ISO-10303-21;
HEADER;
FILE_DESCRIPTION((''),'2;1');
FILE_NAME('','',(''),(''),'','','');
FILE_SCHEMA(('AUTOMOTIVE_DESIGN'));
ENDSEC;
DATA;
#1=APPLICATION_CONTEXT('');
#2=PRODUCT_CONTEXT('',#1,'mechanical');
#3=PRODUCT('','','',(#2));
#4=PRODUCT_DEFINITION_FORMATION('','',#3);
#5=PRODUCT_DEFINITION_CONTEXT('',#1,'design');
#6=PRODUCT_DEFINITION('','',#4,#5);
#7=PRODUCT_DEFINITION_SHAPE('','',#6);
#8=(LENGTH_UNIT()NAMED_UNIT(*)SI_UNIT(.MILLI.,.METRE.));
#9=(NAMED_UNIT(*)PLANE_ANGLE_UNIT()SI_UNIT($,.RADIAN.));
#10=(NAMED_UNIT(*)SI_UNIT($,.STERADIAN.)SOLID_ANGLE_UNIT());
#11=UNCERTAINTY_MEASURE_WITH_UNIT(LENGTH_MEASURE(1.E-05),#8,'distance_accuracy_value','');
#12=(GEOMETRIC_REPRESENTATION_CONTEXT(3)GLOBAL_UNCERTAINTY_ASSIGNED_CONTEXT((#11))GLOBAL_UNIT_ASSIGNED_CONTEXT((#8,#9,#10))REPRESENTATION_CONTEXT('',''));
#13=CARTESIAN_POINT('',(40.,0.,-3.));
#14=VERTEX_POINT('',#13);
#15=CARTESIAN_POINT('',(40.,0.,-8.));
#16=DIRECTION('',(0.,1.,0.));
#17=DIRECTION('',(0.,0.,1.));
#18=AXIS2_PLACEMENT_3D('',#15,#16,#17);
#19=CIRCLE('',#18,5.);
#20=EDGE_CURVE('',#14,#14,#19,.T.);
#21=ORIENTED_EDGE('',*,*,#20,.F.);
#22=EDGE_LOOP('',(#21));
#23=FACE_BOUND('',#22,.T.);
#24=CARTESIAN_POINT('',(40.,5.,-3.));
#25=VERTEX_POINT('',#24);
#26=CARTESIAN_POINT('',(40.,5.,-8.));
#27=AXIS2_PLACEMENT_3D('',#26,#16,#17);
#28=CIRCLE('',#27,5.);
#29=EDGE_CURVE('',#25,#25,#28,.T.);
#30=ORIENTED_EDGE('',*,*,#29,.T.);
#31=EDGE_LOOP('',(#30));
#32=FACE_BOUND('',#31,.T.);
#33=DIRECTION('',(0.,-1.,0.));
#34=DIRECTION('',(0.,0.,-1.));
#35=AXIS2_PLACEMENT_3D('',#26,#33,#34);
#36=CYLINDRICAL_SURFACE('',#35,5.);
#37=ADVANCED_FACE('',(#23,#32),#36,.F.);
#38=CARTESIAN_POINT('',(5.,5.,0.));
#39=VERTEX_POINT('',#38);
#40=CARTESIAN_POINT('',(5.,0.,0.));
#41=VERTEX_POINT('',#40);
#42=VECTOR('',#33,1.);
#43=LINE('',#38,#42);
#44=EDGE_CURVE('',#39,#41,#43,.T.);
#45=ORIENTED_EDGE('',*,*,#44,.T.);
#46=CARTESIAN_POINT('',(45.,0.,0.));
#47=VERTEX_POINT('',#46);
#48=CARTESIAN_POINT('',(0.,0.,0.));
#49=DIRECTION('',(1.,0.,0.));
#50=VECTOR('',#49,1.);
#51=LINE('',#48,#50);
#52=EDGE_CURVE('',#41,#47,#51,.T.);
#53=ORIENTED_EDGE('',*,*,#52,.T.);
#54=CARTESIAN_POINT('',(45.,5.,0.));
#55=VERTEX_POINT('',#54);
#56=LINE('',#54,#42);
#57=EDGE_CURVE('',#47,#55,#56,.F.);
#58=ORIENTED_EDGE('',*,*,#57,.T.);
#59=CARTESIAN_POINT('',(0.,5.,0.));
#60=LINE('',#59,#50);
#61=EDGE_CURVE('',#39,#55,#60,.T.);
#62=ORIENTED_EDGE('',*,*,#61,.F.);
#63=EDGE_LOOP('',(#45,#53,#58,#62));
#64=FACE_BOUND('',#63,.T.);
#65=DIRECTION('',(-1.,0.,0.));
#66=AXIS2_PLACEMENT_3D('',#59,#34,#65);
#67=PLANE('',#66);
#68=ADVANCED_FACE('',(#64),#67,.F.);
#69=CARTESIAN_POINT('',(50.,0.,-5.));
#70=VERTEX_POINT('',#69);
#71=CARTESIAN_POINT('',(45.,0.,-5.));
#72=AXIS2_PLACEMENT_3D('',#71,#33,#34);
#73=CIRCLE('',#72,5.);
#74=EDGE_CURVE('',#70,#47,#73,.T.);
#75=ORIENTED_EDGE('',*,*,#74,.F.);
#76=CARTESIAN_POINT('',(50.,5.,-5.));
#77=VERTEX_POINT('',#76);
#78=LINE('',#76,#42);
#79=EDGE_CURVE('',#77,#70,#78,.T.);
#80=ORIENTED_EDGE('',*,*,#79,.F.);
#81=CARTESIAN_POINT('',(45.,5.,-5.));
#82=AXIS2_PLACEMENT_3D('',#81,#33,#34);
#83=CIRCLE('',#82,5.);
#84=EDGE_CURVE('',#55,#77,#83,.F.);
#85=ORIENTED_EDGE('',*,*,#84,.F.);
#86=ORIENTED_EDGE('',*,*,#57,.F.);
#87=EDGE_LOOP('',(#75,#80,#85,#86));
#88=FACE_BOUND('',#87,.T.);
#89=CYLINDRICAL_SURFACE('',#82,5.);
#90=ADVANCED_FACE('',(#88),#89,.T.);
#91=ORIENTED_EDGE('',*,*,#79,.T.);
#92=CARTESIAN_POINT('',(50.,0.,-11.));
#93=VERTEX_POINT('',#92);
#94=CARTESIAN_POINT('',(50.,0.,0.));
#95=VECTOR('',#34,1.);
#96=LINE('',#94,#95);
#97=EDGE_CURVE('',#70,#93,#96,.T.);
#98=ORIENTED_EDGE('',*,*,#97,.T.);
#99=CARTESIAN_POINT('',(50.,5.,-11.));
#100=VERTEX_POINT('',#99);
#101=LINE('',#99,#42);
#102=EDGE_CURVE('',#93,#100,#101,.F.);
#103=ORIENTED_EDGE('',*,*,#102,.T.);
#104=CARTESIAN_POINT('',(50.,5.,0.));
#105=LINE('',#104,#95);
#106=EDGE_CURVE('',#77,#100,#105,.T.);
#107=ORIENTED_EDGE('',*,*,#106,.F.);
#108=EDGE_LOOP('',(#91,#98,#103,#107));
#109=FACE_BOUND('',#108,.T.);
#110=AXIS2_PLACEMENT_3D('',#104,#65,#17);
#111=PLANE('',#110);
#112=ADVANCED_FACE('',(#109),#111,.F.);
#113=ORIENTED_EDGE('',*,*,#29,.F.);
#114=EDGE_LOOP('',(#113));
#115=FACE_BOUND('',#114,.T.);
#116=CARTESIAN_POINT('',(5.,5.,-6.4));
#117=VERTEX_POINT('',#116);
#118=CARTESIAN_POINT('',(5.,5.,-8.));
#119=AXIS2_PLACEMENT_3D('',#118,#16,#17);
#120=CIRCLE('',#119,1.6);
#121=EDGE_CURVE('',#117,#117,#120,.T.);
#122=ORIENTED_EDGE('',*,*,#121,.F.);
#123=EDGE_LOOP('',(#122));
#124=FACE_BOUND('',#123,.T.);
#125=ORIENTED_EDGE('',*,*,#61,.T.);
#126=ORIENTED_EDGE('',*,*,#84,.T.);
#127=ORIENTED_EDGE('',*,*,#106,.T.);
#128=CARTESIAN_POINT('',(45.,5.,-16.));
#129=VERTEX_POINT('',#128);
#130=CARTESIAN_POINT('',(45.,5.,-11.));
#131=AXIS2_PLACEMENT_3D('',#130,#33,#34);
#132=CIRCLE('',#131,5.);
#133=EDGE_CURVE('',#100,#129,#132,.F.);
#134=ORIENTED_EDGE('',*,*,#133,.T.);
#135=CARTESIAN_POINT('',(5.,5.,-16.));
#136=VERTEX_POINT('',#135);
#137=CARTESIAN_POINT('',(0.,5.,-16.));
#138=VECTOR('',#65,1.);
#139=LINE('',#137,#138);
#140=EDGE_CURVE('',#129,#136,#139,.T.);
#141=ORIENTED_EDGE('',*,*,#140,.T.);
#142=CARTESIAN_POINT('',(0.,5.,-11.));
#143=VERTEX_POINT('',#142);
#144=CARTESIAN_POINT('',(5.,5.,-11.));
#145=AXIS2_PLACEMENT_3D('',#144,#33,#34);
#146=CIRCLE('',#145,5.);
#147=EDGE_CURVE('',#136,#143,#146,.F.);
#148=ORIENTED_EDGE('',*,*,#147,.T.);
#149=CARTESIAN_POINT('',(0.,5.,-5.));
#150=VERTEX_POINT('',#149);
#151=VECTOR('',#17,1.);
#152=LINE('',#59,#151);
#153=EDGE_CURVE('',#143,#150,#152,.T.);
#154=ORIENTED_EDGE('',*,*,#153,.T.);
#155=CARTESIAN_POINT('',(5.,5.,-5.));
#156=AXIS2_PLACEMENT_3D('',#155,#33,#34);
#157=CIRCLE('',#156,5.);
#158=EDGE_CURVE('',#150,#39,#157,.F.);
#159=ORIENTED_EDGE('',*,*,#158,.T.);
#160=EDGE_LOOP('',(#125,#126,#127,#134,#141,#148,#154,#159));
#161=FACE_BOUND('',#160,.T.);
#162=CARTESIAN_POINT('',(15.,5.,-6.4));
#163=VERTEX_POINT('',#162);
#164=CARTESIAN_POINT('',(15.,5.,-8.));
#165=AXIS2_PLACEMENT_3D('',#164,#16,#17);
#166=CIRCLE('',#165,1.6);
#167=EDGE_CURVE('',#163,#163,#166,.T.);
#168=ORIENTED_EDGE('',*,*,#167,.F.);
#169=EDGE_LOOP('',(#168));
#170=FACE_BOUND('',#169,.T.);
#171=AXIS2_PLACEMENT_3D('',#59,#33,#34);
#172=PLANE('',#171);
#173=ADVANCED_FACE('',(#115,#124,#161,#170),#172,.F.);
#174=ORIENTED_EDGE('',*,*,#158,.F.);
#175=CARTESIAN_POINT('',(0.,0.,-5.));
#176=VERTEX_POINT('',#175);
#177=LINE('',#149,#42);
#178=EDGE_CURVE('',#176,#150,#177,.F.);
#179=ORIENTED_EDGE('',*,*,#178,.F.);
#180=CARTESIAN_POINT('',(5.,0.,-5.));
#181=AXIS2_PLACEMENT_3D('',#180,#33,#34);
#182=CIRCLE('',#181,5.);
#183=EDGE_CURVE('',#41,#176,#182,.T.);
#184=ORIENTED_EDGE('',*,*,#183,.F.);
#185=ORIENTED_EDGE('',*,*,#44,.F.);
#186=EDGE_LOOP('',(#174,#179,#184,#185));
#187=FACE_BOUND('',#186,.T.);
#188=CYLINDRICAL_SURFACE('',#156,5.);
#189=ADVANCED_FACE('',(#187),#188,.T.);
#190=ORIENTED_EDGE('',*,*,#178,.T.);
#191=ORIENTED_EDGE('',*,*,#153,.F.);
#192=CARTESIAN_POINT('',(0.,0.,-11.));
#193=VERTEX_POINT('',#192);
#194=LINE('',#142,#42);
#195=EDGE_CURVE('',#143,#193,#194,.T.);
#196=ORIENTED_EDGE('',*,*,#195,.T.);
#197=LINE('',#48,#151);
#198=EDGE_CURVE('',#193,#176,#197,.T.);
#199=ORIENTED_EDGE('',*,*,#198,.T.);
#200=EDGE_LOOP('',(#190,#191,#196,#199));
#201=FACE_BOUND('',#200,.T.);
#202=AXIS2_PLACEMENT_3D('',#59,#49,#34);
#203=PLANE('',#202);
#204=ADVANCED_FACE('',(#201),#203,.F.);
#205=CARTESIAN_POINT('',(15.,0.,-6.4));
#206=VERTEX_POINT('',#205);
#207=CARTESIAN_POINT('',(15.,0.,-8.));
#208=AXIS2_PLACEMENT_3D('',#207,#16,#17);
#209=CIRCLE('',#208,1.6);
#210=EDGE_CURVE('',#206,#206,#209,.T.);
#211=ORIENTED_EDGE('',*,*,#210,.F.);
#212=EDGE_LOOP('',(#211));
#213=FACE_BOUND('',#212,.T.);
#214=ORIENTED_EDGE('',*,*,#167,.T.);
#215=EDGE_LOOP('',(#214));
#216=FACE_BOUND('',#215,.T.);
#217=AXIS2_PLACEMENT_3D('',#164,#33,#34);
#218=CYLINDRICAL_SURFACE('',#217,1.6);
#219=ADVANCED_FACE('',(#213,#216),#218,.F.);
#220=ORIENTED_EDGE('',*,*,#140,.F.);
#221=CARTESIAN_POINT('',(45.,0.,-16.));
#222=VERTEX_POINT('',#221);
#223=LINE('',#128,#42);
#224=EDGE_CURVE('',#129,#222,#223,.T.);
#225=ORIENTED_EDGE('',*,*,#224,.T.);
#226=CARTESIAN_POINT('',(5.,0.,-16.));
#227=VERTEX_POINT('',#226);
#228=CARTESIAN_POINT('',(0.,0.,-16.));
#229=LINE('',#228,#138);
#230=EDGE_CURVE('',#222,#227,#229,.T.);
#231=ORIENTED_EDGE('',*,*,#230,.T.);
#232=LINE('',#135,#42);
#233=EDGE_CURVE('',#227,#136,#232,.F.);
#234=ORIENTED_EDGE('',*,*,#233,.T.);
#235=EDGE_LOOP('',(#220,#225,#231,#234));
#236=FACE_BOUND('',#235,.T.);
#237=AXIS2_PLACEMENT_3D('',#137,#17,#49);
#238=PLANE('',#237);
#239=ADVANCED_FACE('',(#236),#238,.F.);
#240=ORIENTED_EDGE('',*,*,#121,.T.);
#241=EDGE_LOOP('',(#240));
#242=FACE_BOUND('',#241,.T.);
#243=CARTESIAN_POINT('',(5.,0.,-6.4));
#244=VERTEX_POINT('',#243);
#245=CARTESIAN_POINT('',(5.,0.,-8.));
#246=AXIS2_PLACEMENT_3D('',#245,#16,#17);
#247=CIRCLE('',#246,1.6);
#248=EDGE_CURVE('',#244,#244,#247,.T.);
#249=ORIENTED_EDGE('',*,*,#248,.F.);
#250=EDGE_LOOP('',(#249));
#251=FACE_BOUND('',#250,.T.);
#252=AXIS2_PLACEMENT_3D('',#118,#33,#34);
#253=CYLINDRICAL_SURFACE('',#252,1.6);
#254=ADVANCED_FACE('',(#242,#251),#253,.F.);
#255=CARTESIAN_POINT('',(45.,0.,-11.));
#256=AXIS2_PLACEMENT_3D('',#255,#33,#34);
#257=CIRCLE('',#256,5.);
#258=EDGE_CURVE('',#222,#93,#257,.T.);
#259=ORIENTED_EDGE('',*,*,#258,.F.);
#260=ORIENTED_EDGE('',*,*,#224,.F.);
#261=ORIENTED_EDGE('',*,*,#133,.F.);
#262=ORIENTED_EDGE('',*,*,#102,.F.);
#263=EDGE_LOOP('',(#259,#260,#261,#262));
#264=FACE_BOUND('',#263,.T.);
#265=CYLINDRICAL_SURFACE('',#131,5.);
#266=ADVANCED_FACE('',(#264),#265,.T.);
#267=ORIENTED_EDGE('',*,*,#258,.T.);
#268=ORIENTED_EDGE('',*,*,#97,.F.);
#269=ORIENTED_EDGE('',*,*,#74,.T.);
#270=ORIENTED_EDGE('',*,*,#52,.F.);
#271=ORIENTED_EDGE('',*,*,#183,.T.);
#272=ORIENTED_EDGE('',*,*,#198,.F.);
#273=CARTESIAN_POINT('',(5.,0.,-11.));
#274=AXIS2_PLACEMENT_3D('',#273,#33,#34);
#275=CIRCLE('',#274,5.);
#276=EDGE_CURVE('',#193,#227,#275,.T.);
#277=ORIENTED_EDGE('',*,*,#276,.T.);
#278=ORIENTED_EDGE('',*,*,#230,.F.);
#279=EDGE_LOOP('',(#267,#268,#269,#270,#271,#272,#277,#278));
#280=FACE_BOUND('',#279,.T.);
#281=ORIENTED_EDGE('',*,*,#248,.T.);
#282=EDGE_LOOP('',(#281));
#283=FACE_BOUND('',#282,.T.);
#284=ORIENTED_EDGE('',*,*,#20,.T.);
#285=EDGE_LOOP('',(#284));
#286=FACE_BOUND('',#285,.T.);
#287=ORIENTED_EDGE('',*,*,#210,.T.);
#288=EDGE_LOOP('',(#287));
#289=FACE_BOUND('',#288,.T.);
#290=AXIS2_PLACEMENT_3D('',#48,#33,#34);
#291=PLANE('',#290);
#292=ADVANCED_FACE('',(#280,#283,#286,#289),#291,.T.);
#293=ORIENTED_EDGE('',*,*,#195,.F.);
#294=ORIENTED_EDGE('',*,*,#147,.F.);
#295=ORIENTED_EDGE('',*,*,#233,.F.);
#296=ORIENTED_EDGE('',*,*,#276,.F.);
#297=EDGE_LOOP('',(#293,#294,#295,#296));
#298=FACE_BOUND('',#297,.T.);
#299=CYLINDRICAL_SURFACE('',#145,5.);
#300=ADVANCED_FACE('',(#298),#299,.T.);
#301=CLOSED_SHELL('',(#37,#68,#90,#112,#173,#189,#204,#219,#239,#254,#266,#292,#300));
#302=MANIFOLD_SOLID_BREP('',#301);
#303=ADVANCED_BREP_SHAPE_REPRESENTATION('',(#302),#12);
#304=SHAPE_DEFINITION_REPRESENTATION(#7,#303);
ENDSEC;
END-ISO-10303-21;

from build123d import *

# Parameters (mm, degrees)
SKETCH1_W           = 50
SKETCH1_H           = 16
SKETCH1_R           = 5
SKETCH1_R_2         = 1.6
BOSS_EXTRUDE1_DEPTH = 5
FILLET1_R           = 5


with BuildPart() as part:
    # Sketch1 → Boss-Extrude1 (new body)
    with BuildSketch(Plane(origin=(0, 0, 0), x_dir=(1, 0, 0), z_dir=(0, 1, 0))):
        with Locations((25, 8)):
            Rectangle(SKETCH1_W, SKETCH1_H)
        with Locations(Location((40, 8, 0), (0, 0, 270))):
            Circle(SKETCH1_R, mode=Mode.SUBTRACT)
        with Locations(Location((5, 8, 0), (0, 0, 270))):
            Circle(SKETCH1_R_2, mode=Mode.SUBTRACT)
        with Locations(Location((15, 8, 0), (0, 0, 270))):
            Circle(SKETCH1_R_2, mode=Mode.SUBTRACT)
    extrude(amount=BOSS_EXTRUDE1_DEPTH)

    # Fillet1
    fillet1_edges = [part.edges().sort_by_distance(p)[0] for p in [
        (0, 2.5, -16),
        (50, 2.5, -16),
        (50, 2.5, 0),
        (0, 2.5, 0),
    ]]
    fillet(fillet1_edges, radius=FILLET1_R)


solid = part.part
